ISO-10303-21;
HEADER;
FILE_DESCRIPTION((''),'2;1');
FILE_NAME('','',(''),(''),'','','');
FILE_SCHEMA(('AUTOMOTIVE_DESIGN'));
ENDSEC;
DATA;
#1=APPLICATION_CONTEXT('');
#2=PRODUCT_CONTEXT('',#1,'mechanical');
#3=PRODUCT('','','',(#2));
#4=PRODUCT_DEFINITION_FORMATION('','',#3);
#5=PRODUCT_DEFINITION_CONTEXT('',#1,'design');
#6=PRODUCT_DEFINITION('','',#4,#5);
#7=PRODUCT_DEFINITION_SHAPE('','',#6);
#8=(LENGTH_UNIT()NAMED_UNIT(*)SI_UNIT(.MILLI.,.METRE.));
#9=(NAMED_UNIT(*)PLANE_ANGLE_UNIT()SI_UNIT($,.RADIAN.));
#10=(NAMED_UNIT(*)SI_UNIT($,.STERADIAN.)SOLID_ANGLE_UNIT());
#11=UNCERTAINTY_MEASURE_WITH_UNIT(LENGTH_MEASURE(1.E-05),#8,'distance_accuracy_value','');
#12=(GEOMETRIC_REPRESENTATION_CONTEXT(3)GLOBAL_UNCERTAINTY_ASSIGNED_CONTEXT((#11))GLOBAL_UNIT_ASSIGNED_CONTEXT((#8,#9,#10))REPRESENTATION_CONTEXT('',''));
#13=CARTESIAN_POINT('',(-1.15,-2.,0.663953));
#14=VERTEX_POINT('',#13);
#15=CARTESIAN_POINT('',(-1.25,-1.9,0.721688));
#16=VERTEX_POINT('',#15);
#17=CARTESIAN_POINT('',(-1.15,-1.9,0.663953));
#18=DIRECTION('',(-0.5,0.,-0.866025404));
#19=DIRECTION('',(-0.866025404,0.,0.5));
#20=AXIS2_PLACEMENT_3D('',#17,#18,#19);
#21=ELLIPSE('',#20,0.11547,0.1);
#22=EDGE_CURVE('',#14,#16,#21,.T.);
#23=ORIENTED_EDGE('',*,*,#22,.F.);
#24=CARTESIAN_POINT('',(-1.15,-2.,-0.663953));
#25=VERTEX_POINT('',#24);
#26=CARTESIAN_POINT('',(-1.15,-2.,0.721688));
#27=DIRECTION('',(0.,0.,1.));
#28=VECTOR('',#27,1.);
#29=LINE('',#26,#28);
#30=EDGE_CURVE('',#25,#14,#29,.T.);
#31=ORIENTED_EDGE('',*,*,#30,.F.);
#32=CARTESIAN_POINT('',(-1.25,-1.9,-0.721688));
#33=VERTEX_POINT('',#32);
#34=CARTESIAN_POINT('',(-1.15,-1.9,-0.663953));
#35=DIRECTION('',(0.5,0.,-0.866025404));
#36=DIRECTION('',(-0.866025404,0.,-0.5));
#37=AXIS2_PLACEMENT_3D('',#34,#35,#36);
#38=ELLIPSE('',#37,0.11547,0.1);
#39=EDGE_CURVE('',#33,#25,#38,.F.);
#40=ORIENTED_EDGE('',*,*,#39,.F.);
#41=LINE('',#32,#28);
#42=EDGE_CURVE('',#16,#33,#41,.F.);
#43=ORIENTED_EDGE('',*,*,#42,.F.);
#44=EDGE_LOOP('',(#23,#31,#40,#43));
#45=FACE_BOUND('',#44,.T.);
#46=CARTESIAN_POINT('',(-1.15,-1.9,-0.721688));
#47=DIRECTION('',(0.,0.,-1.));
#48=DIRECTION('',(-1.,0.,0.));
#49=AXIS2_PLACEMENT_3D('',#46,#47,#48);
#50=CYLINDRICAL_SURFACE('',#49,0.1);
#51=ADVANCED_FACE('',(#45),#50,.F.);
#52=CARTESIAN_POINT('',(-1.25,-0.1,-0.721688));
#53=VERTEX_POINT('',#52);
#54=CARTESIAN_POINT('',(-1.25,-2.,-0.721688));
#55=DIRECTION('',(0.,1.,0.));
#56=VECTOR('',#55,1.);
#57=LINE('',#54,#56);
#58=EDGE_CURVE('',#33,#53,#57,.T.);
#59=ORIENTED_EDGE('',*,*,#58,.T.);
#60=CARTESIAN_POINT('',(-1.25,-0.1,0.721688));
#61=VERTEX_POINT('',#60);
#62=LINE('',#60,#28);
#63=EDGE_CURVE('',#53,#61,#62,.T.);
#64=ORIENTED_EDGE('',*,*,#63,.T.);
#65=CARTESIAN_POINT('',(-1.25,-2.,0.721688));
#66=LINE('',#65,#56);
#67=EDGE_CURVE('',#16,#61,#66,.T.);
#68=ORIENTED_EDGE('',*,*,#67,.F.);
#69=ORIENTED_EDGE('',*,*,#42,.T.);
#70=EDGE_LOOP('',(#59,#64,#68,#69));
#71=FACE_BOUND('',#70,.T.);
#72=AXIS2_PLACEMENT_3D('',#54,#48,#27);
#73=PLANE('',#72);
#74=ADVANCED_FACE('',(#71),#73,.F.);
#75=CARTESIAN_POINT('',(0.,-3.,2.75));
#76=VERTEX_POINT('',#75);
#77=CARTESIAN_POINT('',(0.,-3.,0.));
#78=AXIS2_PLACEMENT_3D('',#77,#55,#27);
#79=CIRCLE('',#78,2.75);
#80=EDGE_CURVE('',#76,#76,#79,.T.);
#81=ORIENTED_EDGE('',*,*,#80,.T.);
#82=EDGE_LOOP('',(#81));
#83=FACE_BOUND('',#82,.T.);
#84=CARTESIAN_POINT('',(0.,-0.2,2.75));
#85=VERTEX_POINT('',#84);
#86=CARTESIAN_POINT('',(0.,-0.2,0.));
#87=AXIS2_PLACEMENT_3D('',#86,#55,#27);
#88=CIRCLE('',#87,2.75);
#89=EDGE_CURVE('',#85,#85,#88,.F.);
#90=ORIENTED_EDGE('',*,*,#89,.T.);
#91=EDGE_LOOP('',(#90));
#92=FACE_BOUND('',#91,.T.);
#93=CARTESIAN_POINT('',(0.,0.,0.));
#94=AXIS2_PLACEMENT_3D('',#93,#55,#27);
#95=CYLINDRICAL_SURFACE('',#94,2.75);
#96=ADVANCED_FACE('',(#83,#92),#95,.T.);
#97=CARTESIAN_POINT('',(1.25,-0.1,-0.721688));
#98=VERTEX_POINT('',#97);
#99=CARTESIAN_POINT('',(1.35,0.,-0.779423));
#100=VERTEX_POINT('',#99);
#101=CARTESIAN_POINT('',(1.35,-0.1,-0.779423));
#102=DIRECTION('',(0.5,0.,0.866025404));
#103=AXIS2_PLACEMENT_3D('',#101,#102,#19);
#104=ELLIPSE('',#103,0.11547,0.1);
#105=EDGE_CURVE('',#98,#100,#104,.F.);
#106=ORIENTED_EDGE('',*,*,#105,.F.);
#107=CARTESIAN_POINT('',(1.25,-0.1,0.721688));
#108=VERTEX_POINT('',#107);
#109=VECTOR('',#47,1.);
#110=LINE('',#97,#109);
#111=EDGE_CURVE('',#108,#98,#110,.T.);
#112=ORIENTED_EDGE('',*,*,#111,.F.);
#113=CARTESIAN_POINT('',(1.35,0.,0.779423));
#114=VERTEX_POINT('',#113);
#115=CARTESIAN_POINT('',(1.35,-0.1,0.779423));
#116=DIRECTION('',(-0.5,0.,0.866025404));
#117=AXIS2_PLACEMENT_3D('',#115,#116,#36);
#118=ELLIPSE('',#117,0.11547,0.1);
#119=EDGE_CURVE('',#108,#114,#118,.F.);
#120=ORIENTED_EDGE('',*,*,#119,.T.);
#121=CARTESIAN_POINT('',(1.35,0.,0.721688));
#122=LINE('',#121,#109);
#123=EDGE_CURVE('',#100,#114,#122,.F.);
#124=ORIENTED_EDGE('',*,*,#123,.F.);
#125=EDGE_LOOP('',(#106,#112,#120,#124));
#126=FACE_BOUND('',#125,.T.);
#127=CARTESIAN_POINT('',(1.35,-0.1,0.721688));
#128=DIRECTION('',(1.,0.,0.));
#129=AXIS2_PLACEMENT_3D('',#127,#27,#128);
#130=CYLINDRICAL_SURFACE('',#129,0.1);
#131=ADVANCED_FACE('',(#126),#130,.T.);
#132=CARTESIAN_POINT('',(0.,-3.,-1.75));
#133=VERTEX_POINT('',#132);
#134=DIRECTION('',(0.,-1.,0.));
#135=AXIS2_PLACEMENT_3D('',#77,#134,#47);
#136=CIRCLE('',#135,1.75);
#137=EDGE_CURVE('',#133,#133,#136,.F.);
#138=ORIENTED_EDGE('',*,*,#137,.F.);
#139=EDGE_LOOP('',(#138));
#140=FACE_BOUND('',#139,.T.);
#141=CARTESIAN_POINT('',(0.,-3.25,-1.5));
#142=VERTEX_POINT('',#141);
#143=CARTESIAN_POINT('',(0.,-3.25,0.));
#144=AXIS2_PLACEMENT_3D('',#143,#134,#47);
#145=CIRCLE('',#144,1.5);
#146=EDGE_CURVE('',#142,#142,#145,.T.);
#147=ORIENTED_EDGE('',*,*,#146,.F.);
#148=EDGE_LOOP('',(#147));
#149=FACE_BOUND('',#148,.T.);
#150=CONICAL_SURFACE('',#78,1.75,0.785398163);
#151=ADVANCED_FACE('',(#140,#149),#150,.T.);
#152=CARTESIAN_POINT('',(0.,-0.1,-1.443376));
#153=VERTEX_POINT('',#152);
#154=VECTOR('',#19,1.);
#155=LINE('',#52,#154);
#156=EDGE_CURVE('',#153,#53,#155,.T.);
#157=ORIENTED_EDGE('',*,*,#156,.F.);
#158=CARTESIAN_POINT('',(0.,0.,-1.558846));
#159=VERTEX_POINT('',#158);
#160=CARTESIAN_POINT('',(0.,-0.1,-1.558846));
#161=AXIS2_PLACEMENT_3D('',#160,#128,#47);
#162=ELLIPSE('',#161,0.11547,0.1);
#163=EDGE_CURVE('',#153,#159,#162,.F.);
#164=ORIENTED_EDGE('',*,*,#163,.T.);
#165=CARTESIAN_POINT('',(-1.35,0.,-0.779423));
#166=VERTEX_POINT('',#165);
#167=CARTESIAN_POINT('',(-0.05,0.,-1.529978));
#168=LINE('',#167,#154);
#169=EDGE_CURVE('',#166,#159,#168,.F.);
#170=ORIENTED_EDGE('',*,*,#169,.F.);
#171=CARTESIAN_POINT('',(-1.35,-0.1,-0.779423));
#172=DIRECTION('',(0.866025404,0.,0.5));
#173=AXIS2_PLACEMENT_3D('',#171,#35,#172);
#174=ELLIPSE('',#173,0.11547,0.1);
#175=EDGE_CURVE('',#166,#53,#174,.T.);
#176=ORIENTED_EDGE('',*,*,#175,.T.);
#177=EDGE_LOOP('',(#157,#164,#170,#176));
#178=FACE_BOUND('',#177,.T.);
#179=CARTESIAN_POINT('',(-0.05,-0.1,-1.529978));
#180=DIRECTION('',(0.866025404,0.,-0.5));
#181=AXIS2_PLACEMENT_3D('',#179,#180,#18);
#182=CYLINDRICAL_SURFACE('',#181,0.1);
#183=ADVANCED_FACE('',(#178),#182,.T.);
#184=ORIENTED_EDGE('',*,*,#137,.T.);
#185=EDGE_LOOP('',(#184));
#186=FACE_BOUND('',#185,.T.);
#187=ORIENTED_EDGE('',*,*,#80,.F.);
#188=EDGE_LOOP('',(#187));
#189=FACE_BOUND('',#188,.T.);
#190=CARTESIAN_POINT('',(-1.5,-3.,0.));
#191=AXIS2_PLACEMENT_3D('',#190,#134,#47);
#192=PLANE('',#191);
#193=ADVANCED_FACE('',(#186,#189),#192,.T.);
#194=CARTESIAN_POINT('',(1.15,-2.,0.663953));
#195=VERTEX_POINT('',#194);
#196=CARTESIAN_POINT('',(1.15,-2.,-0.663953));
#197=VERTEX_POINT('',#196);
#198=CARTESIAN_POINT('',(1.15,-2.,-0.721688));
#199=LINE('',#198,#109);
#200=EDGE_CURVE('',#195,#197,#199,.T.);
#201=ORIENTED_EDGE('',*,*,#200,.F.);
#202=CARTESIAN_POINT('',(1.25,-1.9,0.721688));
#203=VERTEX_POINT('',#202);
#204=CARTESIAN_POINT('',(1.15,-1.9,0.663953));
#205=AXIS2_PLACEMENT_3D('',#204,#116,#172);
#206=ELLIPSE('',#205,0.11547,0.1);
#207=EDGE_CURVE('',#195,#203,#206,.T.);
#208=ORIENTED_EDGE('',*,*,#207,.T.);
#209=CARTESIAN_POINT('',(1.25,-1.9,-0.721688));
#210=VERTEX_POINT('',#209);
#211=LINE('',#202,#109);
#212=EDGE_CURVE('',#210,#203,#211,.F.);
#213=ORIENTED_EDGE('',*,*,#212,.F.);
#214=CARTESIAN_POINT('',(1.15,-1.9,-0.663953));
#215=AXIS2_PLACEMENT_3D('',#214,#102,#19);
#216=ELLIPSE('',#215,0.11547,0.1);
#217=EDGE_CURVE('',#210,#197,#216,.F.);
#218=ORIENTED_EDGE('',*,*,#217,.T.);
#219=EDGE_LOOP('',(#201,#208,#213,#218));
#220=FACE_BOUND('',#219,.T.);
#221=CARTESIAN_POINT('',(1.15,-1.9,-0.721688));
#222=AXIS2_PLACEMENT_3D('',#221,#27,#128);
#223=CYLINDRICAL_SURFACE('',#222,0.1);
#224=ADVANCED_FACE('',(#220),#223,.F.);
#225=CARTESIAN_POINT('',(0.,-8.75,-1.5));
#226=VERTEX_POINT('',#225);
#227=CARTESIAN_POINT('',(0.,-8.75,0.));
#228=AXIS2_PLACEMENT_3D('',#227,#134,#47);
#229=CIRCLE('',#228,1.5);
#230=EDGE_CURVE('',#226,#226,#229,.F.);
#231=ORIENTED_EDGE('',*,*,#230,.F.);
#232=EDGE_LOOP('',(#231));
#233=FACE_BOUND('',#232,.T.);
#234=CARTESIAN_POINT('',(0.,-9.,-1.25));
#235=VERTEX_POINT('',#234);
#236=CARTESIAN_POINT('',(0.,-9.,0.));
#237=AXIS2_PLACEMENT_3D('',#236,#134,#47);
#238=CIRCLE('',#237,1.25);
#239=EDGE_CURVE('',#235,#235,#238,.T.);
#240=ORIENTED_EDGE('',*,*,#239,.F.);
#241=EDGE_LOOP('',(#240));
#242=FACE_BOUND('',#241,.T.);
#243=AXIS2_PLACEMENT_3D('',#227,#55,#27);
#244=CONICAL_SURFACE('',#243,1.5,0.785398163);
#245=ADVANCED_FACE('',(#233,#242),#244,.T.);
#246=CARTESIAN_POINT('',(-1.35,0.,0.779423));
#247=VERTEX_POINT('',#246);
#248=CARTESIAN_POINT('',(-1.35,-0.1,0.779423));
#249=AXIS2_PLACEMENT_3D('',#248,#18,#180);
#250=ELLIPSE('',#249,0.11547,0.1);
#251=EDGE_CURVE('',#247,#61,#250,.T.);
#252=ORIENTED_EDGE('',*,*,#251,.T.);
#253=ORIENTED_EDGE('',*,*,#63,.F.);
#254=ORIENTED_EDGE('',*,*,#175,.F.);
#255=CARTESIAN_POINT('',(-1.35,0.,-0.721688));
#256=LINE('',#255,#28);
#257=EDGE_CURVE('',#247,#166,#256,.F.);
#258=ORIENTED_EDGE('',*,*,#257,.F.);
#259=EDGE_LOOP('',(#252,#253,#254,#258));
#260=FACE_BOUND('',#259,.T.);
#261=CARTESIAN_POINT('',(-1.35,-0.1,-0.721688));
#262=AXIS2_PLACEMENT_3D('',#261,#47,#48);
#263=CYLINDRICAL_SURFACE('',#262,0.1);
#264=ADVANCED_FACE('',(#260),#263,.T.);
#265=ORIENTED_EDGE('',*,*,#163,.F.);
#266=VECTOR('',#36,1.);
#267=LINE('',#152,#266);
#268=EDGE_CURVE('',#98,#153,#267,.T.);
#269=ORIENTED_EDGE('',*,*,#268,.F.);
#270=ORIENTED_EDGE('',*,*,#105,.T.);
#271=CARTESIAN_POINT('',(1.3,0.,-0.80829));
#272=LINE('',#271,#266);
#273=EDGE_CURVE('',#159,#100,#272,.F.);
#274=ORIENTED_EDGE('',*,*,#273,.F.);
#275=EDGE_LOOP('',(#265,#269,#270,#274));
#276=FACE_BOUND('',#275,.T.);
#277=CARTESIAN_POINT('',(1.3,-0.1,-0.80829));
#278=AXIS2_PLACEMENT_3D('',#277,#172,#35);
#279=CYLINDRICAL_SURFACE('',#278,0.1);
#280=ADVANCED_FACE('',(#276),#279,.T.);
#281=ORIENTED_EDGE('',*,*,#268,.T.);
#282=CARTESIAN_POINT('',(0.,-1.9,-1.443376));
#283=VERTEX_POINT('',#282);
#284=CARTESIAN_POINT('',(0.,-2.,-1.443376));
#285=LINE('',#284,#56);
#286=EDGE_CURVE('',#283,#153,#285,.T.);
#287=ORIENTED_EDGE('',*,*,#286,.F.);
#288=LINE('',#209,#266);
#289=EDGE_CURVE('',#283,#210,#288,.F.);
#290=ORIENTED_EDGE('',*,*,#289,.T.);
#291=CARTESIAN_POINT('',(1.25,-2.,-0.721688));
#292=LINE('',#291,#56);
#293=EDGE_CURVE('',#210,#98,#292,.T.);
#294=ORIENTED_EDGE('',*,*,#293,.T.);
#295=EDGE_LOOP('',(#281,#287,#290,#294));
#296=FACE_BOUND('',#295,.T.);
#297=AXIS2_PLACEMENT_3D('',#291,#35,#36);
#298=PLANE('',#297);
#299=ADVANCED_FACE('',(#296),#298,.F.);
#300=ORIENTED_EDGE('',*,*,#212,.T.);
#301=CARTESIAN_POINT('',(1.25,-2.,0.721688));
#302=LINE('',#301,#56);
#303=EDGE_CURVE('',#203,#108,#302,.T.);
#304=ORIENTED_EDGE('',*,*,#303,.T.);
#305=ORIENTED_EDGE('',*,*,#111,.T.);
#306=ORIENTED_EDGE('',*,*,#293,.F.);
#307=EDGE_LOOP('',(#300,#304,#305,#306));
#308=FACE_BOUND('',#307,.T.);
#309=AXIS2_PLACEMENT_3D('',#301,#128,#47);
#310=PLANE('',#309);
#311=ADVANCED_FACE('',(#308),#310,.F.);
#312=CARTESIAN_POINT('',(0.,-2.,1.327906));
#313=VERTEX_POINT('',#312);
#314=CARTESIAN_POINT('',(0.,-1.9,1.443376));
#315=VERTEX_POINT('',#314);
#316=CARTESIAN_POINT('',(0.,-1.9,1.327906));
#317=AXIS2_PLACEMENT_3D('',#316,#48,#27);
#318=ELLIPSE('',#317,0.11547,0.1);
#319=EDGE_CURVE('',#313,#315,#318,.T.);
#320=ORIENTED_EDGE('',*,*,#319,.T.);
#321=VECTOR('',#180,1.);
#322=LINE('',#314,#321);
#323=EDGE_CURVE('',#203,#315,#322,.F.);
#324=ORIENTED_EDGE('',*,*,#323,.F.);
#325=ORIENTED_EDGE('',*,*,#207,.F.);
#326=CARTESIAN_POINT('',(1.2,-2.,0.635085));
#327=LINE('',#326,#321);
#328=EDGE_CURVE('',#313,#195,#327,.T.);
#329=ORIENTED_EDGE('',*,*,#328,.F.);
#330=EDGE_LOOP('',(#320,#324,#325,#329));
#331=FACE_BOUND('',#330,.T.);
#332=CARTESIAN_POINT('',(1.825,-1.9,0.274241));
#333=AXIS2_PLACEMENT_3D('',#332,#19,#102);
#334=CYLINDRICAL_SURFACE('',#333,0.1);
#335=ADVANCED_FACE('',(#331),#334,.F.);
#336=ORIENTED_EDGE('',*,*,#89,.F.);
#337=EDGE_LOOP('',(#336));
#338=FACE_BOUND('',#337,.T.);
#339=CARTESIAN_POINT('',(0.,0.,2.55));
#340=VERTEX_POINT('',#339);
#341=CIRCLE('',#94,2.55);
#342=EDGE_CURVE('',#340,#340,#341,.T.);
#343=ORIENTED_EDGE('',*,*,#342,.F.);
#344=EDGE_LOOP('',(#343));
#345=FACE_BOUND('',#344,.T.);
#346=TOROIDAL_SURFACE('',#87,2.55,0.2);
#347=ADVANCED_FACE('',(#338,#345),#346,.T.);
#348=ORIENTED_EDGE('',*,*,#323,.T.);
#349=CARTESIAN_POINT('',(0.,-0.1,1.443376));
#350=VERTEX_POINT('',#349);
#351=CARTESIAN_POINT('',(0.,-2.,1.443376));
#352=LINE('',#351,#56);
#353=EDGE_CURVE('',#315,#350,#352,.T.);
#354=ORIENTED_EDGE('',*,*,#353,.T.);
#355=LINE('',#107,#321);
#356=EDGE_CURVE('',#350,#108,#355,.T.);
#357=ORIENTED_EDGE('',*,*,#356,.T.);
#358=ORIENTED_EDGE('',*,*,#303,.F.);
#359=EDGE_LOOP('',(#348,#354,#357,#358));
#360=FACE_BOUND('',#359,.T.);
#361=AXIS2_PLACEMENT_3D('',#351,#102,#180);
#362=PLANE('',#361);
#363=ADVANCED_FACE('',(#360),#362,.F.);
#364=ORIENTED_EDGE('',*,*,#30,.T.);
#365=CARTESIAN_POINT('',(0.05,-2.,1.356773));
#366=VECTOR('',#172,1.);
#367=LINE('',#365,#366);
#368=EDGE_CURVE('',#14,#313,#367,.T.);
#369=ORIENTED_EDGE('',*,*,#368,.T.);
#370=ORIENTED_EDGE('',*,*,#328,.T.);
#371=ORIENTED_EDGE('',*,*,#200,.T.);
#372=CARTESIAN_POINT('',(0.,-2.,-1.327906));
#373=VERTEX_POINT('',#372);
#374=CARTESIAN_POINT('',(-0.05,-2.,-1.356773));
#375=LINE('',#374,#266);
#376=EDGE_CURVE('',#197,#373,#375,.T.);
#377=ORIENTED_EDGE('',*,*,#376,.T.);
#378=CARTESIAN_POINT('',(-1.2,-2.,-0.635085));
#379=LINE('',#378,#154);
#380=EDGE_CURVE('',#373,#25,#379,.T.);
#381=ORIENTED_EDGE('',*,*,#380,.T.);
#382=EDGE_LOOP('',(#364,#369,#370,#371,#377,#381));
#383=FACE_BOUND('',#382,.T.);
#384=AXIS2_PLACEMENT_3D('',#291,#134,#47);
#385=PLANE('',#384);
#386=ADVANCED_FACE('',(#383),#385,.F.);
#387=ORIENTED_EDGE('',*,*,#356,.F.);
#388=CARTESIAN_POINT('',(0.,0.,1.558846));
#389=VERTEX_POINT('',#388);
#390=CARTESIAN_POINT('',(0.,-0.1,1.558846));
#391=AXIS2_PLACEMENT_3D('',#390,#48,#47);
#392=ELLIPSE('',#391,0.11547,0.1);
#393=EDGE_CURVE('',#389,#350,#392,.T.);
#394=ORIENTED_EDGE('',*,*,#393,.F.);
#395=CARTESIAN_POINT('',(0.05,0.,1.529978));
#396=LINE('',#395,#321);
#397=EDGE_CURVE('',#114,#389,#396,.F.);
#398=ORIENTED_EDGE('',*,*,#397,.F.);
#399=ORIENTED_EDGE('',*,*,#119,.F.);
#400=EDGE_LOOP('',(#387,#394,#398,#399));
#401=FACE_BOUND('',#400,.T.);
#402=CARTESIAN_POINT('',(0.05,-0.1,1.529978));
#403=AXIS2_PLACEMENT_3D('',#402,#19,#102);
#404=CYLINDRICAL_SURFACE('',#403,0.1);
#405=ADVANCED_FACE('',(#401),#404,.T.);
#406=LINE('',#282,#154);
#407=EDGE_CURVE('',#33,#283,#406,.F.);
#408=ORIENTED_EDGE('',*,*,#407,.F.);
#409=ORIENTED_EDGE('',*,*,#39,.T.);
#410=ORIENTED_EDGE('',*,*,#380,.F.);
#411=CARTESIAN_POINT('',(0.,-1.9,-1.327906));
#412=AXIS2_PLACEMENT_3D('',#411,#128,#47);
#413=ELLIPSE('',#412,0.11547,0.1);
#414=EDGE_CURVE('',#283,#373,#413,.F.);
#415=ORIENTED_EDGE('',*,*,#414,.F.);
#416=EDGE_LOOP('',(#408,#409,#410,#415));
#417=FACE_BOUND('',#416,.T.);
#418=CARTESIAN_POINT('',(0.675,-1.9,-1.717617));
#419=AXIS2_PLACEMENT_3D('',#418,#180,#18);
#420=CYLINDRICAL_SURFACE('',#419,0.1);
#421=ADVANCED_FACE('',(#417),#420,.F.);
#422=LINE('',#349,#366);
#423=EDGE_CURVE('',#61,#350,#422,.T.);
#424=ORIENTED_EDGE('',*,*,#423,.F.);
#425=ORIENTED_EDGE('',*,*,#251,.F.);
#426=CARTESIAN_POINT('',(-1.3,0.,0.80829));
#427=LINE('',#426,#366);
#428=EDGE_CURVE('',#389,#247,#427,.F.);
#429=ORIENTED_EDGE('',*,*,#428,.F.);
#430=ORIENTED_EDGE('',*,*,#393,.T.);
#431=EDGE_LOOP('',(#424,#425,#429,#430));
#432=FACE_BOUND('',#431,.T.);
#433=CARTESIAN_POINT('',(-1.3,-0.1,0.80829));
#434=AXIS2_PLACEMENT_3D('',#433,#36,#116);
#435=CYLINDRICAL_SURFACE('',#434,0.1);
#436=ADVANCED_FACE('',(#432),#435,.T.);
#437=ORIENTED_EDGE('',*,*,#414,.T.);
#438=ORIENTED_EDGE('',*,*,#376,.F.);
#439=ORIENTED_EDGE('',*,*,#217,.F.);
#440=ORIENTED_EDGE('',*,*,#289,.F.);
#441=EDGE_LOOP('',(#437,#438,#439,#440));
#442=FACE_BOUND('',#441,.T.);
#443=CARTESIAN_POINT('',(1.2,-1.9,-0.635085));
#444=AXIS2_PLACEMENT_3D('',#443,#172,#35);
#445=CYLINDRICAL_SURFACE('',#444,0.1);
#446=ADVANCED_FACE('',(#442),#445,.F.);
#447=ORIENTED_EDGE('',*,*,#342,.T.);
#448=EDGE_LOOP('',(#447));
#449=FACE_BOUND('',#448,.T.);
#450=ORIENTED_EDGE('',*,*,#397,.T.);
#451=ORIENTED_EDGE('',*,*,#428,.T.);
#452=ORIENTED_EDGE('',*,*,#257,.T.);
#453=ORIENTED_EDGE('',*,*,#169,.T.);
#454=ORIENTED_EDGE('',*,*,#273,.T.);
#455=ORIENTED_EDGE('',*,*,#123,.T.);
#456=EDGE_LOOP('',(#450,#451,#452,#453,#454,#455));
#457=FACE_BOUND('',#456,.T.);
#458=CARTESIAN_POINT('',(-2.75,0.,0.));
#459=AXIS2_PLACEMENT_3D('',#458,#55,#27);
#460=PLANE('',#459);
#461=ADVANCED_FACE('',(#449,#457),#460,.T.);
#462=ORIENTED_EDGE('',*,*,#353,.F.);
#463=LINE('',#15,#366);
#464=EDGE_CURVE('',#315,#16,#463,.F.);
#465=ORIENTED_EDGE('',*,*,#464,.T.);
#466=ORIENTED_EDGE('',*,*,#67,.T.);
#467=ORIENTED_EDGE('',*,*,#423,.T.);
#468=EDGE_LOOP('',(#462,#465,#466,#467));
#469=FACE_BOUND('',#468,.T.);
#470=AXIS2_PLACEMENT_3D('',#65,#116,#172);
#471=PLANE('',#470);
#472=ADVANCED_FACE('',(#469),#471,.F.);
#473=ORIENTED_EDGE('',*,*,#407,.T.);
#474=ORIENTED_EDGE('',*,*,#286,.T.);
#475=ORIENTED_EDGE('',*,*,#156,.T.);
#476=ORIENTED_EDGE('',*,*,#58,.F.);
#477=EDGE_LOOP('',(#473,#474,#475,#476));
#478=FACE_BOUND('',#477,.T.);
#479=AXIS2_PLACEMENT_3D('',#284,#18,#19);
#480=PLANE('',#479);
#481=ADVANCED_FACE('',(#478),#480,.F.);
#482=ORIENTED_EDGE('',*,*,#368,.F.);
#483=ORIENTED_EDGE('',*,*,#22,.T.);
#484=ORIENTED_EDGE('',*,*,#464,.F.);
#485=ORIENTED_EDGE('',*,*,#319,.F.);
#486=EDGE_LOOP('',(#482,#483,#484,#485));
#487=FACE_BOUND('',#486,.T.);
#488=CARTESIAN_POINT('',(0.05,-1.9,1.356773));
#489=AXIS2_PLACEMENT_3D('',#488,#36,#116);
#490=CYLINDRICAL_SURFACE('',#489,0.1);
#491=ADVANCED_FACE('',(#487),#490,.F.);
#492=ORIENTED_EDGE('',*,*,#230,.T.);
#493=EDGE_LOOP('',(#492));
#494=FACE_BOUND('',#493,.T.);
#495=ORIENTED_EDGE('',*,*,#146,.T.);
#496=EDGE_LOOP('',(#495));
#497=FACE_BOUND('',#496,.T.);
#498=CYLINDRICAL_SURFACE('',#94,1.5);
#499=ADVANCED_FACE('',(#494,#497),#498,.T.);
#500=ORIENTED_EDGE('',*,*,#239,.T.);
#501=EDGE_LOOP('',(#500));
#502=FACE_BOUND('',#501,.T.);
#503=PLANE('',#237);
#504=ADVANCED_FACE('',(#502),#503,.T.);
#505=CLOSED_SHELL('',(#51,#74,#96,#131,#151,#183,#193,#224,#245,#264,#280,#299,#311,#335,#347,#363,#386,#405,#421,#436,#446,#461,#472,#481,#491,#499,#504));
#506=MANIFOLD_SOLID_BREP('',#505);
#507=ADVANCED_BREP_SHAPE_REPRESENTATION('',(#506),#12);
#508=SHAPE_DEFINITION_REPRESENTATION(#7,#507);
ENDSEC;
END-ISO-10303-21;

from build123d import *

# Parameters (mm, degrees)
CHAMFER1_SIZE      = 0.25
FILLET1_R          = 0.2
CUT_EXTRUDE1_DEPTH = 2
FILLET2_R          = 0.1


with BuildPart() as part:
    # Sketch1 → Revolve1 (revolve)
    with BuildSketch(Plane.XY):
        Polygon((0, -9), (-1.5, -9), (-1.5, -3), (-2.75, -3), (-2.75, 0), (0, 0), align=None)
    revolve(axis=Axis((0, 0, 0), (0, -1, 0)))

    # Chamfer1
    chamfer1_edges = [part.edges().sort_by_distance(p)[0] for p in [
        (1.5, -3, 0),
        (1.5, -9, 0),
    ]]
    chamfer(chamfer1_edges, length=CHAMFER1_SIZE)

    # Fillet1
    fillet1_edges = [part.edges().sort_by_distance(p)[0] for p in [
        (2.75, 0, 0),
    ]]
    fillet(fillet1_edges, radius=FILLET1_R)

    # Sketch2 → Cut-Extrude1 (cut)
    with BuildSketch(Plane(origin=(0, 0, 0), x_dir=(1, 0, 0), z_dir=(0, 1, 0))):
        Polygon((0, 1.443375673), (-1.25, 0.721687836), (-1.25, -0.721687836), (0, -1.443375673), (1.25, -0.721687836), (1.25, 0.721687836), align=None)
    extrude(amount=-CUT_EXTRUDE1_DEPTH, mode=Mode.SUBTRACT)

    # Fillet2
    fillet2_edges = [part.edges().sort_by_distance(p)[0] for p in [
        (0.625, -2, -1.082531755),
        (1.25, -2, 0),
        (0.625, -2, 1.082531755),
        (-0.625, -2, 1.082531755),
        (-1.25, -2, 0),
        (-0.625, -2, -1.082531755),
        (0.625, 0, -1.082531755),
        (-0.625, 0, -1.082531755),
        (-1.25, 0, 0),
        (-0.625, 0, 1.082531755),
        (0.625, 0, 1.082531755),
        (1.25, 0, 0),
    ]]
    fillet(fillet2_edges, radius=FILLET2_R)


solid = part.part
